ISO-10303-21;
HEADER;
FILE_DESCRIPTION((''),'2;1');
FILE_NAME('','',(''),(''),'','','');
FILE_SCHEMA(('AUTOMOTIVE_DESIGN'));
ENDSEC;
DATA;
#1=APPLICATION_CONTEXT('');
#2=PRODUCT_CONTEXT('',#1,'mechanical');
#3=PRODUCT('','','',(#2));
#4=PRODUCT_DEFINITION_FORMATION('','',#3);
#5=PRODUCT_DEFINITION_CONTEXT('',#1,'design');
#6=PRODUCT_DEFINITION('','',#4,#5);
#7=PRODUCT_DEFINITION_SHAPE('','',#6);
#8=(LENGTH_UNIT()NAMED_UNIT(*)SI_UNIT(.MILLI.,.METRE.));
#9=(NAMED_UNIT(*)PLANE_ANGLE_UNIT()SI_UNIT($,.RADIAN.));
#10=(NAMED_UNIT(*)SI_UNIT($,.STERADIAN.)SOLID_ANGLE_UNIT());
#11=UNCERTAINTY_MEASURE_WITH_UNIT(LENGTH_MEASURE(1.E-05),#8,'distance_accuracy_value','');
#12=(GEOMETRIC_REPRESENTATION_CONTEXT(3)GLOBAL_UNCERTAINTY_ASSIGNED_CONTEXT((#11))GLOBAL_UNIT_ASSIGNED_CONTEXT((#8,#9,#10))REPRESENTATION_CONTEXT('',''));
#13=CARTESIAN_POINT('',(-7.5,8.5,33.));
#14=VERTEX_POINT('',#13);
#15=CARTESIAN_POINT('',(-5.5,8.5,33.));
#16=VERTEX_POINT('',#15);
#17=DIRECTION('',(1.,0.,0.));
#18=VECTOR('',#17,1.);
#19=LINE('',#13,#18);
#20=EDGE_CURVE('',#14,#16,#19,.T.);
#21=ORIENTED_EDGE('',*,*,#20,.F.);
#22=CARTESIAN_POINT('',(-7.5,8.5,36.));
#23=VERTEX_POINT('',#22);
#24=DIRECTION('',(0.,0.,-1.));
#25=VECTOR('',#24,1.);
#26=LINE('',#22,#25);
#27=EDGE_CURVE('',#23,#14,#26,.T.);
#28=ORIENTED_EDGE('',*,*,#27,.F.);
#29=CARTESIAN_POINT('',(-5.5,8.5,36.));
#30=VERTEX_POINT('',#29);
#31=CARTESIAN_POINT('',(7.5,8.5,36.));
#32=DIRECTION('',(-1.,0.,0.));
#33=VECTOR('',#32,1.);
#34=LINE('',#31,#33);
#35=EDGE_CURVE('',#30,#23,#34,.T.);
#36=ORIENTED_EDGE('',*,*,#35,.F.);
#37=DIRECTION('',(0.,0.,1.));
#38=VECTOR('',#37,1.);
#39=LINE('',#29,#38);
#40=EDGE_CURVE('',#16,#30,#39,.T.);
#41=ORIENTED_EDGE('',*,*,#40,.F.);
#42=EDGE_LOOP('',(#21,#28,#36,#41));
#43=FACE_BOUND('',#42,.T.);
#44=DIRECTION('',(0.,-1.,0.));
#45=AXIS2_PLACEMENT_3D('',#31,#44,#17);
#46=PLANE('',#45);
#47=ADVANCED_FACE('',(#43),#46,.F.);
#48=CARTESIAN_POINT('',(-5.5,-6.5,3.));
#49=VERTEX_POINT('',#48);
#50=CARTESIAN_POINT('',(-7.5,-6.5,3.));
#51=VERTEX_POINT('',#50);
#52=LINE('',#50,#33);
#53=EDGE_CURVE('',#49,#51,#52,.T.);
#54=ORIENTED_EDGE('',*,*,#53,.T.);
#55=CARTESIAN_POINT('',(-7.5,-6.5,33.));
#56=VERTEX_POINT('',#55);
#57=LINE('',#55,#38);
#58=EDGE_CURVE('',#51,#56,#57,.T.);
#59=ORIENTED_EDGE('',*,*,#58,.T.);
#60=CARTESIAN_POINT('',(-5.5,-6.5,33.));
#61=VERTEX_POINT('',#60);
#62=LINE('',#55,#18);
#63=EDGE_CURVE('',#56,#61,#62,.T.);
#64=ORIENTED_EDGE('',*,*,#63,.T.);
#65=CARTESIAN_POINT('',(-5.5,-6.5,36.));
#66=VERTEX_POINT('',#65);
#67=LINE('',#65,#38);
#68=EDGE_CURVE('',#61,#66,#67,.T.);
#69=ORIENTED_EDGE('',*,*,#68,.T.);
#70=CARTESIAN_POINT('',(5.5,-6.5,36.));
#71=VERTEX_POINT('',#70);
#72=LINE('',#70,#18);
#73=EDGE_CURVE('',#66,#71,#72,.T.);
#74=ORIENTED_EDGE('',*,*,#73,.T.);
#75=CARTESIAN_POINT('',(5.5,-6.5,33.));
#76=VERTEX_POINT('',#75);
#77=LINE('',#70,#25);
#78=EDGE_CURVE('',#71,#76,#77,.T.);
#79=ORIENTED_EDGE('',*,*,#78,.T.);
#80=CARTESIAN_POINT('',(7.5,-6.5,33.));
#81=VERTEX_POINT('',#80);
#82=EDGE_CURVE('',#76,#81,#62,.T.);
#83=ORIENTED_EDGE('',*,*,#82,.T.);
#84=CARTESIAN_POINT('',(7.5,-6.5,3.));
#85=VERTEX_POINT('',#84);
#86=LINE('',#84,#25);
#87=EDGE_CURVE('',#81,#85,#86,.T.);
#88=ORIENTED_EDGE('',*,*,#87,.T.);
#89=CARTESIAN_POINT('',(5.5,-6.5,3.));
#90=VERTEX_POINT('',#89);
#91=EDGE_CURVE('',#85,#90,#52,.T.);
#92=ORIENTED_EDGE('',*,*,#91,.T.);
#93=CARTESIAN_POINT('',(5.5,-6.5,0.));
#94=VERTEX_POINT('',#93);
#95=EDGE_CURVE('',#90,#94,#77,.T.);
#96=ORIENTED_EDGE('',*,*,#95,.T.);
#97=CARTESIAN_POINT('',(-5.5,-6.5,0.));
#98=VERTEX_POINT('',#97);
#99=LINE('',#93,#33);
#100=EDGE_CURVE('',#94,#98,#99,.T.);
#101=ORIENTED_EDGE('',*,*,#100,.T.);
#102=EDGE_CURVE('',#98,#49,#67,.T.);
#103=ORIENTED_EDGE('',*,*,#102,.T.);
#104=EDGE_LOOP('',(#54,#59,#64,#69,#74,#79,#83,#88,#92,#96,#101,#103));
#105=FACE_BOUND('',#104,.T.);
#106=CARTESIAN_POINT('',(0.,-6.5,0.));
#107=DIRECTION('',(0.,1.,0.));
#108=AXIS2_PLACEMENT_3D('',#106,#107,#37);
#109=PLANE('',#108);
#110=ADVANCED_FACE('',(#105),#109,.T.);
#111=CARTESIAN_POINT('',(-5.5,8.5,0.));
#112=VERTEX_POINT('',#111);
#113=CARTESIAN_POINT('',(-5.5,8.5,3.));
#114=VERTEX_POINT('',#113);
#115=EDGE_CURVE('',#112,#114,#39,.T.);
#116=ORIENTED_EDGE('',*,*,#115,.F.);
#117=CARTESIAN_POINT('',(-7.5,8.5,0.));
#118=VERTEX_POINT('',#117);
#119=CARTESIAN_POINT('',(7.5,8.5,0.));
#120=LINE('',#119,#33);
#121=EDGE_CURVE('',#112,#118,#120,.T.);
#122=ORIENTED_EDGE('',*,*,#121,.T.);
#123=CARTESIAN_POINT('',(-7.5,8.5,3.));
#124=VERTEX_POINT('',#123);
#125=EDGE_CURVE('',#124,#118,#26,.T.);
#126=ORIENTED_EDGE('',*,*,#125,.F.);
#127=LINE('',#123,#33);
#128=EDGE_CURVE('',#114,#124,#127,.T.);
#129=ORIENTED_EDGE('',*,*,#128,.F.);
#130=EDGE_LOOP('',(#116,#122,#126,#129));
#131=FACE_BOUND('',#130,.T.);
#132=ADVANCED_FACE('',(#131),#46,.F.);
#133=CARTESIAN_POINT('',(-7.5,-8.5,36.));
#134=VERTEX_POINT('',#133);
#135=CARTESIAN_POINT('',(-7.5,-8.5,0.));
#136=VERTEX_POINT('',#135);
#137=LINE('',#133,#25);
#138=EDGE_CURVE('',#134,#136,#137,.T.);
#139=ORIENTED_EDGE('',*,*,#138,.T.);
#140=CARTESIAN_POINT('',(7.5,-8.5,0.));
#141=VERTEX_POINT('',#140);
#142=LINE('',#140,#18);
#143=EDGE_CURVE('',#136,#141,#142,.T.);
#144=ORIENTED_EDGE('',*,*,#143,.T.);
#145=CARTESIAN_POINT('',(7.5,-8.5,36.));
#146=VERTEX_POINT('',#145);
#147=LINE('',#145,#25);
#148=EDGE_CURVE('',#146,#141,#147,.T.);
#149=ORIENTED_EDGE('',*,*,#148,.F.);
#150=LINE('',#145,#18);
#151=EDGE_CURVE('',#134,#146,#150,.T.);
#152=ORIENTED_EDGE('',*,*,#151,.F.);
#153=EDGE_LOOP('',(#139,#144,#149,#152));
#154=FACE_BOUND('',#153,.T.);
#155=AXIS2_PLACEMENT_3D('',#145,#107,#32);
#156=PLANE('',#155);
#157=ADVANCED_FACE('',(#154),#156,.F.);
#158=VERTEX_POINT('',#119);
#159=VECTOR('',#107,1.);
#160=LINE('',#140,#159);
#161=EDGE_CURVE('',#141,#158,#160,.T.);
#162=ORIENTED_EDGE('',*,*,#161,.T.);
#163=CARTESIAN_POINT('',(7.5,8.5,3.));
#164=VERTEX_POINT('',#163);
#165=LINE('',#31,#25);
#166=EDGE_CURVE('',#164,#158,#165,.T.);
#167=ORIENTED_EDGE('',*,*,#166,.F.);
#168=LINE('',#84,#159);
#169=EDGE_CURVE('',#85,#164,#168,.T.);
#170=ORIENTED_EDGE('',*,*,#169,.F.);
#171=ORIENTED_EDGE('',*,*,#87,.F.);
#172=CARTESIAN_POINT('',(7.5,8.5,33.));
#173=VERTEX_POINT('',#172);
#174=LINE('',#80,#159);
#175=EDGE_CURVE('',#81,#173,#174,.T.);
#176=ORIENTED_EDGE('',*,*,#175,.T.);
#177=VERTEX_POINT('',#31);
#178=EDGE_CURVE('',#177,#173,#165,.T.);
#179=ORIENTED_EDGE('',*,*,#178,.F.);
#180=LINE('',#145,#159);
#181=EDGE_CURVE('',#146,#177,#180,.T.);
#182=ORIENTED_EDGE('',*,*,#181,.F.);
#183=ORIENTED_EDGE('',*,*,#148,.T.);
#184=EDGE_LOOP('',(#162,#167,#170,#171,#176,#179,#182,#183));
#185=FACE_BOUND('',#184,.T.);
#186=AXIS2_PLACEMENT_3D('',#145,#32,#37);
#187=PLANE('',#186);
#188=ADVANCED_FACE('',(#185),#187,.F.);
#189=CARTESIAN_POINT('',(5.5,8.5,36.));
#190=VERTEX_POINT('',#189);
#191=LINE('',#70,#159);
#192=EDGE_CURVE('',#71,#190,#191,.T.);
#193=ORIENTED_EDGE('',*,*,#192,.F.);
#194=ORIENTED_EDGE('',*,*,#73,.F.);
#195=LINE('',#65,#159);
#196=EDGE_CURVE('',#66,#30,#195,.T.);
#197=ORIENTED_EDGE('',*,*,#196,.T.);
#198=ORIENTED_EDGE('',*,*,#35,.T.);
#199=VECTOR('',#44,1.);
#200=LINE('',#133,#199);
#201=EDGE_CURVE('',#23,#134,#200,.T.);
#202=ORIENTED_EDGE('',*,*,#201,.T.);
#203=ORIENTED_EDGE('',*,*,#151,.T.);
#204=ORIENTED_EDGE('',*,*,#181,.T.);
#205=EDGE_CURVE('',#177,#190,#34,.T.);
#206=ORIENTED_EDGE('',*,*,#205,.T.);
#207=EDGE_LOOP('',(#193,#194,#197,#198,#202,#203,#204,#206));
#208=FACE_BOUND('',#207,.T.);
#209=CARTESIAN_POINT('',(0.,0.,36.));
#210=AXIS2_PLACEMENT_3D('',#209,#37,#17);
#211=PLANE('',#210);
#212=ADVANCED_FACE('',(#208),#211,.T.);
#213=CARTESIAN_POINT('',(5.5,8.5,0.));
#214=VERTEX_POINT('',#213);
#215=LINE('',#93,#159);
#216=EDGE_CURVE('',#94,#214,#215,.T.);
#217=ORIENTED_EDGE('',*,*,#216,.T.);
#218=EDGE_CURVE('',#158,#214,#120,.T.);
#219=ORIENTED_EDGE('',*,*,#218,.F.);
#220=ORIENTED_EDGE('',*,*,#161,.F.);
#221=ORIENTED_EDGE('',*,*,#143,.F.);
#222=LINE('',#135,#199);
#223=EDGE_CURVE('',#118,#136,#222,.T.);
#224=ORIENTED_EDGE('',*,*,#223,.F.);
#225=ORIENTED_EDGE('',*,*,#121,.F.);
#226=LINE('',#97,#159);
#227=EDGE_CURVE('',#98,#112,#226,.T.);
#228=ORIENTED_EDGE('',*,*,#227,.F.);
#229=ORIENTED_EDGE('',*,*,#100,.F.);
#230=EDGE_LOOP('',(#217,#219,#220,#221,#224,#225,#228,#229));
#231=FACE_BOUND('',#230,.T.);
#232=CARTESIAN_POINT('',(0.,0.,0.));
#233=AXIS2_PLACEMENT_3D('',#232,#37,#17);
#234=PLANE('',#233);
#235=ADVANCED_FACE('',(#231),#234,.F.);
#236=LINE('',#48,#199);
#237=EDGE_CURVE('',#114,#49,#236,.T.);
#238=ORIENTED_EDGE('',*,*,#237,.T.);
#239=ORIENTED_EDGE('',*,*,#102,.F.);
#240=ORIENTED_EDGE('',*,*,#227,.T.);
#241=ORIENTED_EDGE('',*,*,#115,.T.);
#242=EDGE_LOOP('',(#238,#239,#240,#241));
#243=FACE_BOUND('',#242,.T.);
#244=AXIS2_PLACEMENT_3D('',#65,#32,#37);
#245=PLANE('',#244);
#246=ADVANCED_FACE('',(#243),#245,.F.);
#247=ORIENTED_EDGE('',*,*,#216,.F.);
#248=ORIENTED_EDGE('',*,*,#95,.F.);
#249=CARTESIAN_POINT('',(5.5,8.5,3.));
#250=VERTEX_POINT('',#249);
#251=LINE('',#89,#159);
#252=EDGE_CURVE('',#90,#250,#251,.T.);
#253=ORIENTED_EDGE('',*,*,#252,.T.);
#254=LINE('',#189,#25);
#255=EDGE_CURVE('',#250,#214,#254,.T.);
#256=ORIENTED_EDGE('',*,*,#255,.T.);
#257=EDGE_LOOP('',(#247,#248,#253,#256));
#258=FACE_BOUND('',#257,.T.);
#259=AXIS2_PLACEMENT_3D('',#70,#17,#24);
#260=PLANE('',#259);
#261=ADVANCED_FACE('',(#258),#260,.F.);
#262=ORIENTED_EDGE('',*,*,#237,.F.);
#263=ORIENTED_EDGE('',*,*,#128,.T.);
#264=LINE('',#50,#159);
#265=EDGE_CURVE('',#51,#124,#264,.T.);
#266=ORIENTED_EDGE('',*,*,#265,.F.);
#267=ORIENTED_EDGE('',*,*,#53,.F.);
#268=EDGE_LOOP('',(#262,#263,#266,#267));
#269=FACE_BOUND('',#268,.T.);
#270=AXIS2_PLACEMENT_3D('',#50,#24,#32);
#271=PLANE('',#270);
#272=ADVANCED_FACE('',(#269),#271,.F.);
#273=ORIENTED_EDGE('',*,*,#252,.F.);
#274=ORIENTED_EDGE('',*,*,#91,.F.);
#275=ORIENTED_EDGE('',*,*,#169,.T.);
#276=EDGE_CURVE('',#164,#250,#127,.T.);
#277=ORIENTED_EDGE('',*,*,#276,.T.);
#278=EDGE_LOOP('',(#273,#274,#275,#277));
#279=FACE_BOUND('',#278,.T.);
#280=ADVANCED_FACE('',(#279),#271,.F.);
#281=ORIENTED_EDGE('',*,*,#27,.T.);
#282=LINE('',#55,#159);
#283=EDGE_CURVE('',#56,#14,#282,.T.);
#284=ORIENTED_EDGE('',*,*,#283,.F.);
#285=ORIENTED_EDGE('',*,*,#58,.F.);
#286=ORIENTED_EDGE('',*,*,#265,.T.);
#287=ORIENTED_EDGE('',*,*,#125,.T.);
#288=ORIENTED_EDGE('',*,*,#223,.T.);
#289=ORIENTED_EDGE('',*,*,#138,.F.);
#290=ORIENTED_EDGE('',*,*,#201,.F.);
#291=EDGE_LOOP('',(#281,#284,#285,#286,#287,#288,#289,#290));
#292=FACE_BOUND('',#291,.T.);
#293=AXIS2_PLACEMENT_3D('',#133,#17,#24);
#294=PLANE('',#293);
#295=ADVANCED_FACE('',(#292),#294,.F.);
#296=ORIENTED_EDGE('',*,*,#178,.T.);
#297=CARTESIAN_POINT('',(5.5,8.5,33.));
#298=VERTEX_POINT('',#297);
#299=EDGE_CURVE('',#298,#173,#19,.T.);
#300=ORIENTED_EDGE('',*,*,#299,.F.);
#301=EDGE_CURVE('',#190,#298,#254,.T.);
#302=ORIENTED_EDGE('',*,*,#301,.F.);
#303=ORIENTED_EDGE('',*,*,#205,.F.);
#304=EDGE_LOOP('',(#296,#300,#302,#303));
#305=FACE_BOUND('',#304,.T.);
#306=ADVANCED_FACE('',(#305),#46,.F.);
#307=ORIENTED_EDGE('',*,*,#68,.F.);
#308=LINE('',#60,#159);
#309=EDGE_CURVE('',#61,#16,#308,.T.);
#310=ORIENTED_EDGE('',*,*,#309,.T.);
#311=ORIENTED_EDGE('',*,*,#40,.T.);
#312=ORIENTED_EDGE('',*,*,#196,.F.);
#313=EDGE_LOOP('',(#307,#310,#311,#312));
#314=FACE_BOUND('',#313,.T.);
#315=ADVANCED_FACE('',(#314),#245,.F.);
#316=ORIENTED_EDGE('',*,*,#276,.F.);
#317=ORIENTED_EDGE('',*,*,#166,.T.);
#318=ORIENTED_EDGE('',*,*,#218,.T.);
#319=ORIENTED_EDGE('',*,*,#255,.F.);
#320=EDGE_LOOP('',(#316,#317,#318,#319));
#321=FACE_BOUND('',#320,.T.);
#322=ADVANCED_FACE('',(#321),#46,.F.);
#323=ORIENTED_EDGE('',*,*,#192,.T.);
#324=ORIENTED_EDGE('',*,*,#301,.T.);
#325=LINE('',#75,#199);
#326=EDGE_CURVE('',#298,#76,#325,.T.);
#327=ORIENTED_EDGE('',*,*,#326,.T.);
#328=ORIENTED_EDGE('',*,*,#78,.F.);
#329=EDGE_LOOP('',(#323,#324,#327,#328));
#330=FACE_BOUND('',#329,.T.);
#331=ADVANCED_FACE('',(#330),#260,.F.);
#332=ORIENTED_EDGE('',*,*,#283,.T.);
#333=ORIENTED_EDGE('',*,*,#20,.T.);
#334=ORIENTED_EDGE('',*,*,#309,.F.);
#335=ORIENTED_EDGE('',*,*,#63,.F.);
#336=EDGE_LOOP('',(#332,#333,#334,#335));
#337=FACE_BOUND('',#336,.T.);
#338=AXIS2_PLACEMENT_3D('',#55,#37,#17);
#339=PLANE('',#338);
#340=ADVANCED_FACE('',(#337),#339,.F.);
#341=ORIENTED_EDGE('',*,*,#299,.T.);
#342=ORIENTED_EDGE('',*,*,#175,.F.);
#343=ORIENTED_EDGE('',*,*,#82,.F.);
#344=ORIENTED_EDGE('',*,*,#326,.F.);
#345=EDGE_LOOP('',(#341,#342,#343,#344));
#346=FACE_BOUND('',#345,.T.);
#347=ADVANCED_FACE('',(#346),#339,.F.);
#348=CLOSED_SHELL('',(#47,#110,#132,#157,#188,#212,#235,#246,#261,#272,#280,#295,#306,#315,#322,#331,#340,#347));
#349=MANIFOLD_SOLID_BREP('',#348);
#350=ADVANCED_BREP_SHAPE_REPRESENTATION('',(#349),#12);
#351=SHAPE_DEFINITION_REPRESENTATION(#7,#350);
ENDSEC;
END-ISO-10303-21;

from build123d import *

# Parameters (mm, degrees)
SKETCH1_W           = 15
SKETCH1_H           = 17
BOSS_EXTRUDE1_DEPTH = 36
SKETCH2_W           = 11
SKETCH2_H           = 36
CUT_EXTRUDE1_DEPTH  = 15
SKETCH3_W           = 15
SKETCH3_H           = 30
CUT_EXTRUDE2_DEPTH  = 15


with BuildPart() as part:
    # Sketch1 → Boss-Extrude1 (new body)
    with BuildSketch(Plane.XY):
        Rectangle(SKETCH1_W, SKETCH1_H)
    extrude(amount=BOSS_EXTRUDE1_DEPTH)

    # Sketch2 → Cut-Extrude1 (cut)
    with BuildSketch(Plane(origin=(0, 8.5, 0), x_dir=(1, 0, 0), z_dir=(0, 1, 0))):
        with Locations((0, -18)):
            Rectangle(SKETCH2_W, SKETCH2_H)
    extrude(amount=-CUT_EXTRUDE1_DEPTH, mode=Mode.SUBTRACT)

    # Sketch3 → Cut-Extrude2 (cut)
    with BuildSketch(Plane(origin=(0, 8.5, 0), x_dir=(1, 0, 0), z_dir=(0, 1, 0))):
        with Locations((0, -18)):
            Rectangle(SKETCH3_W, SKETCH3_H)
    extrude(amount=-CUT_EXTRUDE2_DEPTH, mode=Mode.SUBTRACT)


solid = part.part
